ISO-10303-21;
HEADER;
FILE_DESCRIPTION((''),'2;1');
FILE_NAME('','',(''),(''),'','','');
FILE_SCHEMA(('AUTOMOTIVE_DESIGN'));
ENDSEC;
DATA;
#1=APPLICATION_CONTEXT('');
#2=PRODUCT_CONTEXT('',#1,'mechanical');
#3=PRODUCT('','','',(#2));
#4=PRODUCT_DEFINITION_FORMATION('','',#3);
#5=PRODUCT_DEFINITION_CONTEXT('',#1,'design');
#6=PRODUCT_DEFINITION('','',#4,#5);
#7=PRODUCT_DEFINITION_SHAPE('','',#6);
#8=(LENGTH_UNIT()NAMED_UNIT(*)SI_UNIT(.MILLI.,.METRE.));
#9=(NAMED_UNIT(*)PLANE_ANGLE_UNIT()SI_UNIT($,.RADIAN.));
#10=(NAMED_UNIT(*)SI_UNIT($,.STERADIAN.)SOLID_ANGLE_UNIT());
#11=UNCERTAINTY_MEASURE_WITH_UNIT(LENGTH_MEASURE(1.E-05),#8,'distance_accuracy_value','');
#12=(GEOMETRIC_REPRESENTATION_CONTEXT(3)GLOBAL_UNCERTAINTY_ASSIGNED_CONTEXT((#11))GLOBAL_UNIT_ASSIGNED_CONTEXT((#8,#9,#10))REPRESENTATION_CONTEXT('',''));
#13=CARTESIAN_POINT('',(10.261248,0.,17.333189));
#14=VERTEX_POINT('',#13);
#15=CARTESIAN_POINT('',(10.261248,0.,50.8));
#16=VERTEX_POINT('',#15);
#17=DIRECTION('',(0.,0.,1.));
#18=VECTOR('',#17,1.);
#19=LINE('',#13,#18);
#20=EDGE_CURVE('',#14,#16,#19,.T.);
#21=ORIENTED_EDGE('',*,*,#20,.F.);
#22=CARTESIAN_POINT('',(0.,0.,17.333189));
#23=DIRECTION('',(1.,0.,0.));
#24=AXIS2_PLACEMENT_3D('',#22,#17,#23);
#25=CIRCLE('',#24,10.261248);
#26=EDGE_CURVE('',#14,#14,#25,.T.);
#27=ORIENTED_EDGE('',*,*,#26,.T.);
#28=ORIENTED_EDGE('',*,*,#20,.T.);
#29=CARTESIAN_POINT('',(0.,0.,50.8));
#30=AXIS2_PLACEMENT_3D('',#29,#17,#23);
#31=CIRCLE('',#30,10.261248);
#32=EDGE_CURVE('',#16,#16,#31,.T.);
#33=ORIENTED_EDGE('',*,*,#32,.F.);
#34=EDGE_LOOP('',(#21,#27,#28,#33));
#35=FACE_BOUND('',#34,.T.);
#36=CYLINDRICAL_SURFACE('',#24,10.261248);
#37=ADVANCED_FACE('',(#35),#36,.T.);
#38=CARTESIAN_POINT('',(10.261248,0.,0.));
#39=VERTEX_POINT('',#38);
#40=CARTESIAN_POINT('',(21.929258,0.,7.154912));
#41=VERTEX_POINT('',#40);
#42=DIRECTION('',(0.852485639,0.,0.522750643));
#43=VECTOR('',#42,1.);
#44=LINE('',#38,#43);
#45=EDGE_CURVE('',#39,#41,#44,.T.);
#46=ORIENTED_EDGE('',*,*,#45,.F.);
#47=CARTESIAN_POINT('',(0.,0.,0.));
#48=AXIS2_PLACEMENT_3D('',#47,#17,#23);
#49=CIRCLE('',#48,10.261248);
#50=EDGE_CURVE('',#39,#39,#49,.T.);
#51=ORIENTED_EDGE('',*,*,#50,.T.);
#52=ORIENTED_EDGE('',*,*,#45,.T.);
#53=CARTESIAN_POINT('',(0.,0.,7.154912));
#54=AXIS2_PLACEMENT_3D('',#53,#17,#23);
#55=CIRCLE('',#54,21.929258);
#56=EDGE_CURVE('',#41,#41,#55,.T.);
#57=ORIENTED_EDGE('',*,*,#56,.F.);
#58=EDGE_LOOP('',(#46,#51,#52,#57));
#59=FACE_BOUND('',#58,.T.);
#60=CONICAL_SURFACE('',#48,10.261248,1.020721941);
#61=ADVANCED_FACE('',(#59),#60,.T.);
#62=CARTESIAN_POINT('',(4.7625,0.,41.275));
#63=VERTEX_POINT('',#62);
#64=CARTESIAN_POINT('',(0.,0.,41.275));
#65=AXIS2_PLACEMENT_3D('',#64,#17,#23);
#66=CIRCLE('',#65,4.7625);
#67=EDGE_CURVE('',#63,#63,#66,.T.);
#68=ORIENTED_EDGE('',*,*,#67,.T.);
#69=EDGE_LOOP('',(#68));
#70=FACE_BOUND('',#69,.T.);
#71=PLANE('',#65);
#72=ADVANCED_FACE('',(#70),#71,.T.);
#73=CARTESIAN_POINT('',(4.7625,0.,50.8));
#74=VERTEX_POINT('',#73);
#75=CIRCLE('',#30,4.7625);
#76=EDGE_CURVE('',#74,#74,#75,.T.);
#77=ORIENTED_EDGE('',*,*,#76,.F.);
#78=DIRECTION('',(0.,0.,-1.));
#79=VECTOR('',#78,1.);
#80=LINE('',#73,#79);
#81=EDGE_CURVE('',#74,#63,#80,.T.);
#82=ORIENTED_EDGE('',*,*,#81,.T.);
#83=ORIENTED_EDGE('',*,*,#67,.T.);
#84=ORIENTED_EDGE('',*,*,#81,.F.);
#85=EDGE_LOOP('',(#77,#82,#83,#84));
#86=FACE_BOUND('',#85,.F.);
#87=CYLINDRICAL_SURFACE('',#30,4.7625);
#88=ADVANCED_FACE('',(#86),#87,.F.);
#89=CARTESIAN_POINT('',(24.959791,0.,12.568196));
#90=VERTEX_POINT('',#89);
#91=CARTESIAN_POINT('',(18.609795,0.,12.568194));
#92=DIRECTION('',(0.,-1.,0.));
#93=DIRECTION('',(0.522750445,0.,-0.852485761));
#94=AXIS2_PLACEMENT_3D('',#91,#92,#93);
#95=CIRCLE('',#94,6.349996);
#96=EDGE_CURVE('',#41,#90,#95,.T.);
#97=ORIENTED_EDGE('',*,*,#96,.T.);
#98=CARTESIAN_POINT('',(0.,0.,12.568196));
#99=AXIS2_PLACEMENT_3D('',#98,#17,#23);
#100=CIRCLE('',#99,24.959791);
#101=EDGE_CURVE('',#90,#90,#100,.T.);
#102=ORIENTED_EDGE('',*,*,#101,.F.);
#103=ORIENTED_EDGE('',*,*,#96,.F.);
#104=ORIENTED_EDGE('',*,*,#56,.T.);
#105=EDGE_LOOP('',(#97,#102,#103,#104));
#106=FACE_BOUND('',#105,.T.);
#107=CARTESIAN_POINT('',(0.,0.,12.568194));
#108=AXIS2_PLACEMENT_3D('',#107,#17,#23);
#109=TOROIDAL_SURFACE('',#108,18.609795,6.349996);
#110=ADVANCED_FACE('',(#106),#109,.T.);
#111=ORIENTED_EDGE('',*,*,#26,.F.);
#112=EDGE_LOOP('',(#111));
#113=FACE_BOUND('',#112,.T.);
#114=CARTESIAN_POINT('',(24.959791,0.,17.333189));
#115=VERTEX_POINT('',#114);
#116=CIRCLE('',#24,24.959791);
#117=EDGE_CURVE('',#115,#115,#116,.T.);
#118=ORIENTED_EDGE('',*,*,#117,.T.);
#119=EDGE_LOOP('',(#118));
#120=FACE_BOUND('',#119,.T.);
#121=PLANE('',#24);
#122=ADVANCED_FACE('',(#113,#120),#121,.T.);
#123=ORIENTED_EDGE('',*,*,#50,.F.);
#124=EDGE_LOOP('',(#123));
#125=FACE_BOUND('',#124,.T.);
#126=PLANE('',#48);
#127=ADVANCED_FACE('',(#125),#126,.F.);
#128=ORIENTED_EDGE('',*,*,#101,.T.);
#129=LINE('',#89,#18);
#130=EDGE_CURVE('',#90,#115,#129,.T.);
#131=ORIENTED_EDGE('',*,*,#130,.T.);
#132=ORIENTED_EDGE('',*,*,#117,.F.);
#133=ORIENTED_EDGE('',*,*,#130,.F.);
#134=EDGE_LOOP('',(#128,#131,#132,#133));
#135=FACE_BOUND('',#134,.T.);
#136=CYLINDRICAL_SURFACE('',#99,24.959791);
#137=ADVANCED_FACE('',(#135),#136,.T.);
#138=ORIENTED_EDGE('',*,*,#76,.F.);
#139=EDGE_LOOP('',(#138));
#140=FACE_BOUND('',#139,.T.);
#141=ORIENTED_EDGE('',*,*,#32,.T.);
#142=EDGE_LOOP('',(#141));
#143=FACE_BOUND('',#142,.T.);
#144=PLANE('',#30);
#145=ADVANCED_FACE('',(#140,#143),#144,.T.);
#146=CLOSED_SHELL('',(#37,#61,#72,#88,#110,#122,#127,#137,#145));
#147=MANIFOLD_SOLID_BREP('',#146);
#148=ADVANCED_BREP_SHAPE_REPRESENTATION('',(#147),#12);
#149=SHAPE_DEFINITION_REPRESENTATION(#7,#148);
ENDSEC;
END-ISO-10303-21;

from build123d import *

# Parameters (mm, degrees)
F2_R     = 4.7625
F3_DEPTH = 9.525


with BuildPart() as f1:
    # F0 (on Front) → F1 (revolve)
    with BuildSketch(Plane.XZ):
        with BuildLine():
            Line((0, 50.8), (0, 0))
            Line((0, 0), (10.261248, 0))
            Line((10.261248, 0), (21.929258, 7.154912))
            ThreePointArc((21.929258, 7.154912), (24.1506, 9.46627), (24.959791, 12.568196))
            Line((24.959791, 12.568196), (24.959791, 17.333189))
            Line((24.959791, 17.333189), (10.261248, 17.333189))
            Line((10.261248, 17.333189), (10.261248, 50.8))
            Line((10.261248, 50.8), (0, 50.8))
        make_face()
    revolve(axis=Axis((0, 0, 25.4), (0, 0, 1)))

    # F2 (on face) → F3 (cut)
    with BuildSketch(Plane.XY.offset(50.8)):
        Circle(F2_R)
    extrude(amount=-F3_DEPTH, mode=Mode.SUBTRACT)


solid = f1.part
